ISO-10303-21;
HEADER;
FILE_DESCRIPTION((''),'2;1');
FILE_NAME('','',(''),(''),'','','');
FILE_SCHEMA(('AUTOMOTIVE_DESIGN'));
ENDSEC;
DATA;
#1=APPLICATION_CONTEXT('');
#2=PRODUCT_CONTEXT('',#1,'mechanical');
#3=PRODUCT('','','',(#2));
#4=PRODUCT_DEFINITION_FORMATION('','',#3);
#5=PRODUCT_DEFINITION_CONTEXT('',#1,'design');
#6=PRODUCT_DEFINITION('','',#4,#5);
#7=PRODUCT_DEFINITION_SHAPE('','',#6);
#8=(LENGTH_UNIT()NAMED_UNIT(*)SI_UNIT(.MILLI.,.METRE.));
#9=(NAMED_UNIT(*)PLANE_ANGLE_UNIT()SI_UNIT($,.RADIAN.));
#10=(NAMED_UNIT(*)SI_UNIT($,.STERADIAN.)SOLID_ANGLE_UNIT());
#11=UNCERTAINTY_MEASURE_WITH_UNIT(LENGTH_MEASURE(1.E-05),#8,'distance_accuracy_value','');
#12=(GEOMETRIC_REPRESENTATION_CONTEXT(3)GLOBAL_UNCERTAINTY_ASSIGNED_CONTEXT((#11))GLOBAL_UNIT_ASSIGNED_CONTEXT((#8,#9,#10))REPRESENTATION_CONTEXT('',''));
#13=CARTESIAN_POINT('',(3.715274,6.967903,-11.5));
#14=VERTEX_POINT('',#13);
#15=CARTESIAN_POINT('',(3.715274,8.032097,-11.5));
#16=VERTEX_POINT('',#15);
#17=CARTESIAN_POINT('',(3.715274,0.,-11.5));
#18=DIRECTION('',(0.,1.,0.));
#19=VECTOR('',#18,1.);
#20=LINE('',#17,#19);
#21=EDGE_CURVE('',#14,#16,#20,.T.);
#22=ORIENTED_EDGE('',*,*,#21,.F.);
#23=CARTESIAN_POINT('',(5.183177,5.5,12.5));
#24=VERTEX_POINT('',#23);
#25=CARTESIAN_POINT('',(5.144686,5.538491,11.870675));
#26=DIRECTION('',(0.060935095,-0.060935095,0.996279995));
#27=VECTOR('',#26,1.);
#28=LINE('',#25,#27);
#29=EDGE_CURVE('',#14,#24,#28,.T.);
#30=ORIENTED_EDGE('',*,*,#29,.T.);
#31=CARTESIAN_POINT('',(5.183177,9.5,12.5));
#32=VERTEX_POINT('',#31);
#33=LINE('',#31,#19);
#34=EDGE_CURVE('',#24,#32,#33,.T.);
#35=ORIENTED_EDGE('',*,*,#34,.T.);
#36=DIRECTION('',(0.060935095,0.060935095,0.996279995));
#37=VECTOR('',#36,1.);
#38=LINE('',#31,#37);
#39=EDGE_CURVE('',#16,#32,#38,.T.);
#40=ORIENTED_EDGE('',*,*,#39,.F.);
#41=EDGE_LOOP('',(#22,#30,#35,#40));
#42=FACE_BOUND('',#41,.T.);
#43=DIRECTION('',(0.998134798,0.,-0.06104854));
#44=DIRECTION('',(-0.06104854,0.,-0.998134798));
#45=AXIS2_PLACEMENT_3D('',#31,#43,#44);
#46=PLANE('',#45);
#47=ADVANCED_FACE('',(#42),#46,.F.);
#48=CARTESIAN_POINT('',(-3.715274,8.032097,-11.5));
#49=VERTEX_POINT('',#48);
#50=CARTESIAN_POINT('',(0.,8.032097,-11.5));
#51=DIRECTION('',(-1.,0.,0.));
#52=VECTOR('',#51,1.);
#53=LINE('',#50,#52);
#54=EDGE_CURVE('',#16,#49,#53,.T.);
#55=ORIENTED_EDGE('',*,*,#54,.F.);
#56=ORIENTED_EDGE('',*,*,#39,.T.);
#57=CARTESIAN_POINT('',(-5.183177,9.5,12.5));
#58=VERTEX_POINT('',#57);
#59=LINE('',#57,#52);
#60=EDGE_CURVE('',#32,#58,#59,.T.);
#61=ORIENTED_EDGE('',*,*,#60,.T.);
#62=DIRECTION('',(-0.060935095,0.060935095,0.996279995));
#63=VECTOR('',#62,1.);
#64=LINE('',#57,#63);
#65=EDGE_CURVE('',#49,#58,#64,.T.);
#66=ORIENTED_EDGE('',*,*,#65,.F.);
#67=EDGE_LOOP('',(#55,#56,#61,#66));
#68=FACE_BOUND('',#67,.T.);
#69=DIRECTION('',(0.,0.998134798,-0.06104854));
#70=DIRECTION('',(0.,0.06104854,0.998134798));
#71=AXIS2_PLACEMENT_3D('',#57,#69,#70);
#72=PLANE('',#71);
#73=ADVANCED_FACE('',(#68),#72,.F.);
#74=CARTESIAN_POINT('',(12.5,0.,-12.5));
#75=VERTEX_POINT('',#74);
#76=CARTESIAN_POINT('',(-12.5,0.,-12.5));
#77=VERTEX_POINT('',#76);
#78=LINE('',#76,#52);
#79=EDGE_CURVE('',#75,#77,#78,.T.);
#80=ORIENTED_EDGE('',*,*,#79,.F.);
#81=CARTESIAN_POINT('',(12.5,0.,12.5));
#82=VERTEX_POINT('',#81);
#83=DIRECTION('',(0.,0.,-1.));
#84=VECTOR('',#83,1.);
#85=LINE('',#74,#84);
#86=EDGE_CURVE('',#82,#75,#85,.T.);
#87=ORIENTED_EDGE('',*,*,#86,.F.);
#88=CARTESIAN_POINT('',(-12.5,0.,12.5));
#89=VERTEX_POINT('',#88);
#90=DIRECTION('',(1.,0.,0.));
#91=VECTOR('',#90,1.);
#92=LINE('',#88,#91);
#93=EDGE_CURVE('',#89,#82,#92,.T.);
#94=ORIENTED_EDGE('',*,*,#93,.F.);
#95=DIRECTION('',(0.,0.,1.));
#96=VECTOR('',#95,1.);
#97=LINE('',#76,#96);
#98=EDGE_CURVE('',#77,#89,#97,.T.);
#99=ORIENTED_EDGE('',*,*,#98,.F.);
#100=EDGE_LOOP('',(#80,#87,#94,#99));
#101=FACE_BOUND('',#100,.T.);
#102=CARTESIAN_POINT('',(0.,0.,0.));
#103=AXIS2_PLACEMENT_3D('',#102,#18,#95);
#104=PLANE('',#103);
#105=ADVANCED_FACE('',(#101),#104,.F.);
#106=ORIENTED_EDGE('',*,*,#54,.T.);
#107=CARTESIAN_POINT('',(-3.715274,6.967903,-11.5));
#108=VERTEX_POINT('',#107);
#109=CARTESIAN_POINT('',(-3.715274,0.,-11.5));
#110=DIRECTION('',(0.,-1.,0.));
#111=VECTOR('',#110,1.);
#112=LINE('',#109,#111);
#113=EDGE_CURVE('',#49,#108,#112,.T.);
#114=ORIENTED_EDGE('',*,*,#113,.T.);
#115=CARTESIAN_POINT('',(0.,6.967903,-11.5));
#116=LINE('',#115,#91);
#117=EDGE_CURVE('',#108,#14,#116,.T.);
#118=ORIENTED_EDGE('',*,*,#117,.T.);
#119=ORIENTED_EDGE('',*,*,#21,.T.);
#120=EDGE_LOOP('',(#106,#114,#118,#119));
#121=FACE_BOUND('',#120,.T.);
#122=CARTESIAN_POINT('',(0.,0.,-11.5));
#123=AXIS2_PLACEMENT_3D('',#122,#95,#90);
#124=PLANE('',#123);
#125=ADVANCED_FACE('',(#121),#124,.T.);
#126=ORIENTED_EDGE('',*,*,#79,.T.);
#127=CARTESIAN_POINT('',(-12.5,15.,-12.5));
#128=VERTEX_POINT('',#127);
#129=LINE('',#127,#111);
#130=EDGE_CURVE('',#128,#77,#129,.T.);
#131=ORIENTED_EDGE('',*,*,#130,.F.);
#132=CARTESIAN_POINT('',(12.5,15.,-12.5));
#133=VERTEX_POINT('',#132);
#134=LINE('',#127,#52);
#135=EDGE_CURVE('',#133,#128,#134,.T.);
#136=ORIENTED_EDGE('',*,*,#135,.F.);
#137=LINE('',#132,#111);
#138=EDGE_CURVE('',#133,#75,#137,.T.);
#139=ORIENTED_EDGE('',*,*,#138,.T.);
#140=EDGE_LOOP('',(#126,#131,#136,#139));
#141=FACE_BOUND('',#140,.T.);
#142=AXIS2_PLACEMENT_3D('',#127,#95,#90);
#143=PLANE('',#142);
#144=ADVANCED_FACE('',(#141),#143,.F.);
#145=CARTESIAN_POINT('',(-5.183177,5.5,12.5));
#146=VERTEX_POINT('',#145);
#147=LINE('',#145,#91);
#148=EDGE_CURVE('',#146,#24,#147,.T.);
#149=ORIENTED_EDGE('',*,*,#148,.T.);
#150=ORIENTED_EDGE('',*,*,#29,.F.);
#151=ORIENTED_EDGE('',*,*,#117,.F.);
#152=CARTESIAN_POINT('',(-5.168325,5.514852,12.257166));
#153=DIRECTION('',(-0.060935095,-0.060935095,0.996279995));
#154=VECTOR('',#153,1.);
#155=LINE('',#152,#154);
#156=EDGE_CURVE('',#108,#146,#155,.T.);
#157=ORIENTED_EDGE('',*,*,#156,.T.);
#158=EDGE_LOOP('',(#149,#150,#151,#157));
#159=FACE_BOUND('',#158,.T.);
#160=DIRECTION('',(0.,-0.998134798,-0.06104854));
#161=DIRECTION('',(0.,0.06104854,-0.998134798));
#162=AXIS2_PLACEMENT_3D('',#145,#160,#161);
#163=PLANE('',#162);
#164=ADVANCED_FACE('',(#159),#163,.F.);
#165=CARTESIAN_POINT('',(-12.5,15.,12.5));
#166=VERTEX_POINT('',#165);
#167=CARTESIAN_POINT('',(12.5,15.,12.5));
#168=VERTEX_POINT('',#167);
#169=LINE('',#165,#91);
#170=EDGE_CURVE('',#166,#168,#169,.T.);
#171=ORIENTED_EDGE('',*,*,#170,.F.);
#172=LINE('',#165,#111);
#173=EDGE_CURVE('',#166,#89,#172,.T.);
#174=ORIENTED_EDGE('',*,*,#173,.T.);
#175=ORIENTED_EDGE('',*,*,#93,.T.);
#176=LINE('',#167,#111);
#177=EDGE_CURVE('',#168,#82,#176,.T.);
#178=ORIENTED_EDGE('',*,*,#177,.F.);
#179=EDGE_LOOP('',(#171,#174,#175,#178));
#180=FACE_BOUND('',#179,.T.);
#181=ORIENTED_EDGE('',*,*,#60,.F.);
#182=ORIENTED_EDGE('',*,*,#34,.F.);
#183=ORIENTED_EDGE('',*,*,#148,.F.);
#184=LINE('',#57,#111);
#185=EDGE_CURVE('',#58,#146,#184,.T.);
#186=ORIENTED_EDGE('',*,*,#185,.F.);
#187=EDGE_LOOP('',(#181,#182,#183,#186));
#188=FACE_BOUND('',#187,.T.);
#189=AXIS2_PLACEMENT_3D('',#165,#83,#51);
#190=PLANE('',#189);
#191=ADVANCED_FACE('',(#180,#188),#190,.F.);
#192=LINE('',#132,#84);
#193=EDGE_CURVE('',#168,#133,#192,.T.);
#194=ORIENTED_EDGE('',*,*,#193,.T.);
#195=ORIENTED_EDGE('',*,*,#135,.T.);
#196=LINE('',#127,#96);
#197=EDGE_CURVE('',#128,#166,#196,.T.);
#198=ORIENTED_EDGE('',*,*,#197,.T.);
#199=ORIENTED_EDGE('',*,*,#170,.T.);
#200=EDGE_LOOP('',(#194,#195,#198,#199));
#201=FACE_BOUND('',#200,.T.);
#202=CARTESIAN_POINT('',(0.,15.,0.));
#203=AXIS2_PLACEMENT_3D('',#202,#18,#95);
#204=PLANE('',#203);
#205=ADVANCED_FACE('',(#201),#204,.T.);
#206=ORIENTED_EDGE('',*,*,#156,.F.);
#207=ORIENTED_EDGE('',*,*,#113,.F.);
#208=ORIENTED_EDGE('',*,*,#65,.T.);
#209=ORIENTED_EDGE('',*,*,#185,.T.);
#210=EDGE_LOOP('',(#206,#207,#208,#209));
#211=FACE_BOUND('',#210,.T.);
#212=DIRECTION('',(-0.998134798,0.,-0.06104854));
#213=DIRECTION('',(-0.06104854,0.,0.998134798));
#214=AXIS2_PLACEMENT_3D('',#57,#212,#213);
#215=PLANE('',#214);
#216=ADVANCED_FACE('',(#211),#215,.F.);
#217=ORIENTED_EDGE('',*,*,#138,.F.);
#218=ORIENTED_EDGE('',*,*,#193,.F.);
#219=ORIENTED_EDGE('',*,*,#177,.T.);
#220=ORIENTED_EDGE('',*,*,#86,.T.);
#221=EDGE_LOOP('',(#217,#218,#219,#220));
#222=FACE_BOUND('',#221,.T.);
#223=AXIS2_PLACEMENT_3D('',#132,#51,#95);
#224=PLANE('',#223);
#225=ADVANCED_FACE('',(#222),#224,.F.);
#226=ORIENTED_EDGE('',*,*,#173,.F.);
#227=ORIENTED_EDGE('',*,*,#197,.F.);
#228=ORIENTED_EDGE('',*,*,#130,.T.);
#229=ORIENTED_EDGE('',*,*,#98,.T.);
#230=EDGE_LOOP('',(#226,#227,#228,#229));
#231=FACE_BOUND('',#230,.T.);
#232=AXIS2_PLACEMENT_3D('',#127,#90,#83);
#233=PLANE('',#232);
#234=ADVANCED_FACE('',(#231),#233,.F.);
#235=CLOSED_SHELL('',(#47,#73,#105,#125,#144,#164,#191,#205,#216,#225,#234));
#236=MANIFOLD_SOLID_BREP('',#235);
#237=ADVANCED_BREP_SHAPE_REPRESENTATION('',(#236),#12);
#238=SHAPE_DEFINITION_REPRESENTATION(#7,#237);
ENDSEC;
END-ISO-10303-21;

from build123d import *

# Parameters (mm, degrees)
SKETCH1_W           = 25
SKETCH1_H           = 25
BOSS_EXTRUDE1_DEPTH = 15
SKETCH2_W           = 10.366354442
SKETCH2_H           = 4
CUT_EXTRUDE1_DEPTH  = 24
CUT_EXTRUDE1_DRAFT  = -3.5


with BuildPart() as part:
    # Sketch1 → Boss-Extrude1 (new body)
    with BuildSketch(Plane(origin=(0, 0, 0), x_dir=(1, 0, 0), z_dir=(0, 1, 0))):
        Rectangle(SKETCH1_W, SKETCH1_H)
    extrude(amount=BOSS_EXTRUDE1_DEPTH)


with BuildPart() as cut_extrude1_tool:
    # Sketch2 → Cut-Extrude1 (with draft: the straight prism first)
    with BuildSketch(Plane.XY.offset(12.5)):
        with Locations((0, 7.5)):
            Rectangle(SKETCH2_W, SKETCH2_H)
    extrude(amount=-CUT_EXTRUDE1_DEPTH)
    # Cut-Extrude1: the draft: its side faces are tilted about the plane it starts from
    cut_extrude1_sides = [cut_extrude1_tool.faces().sort_by_distance(p)[0] for p in [
        (-5.183177221, 7.5, 0.5),
        (0, 5.5, 0.5),
        (5.183177221, 7.5, 0.5),
        (0, 9.5, 0.5),
    ]]
    draft(cut_extrude1_sides, Plane.XY.offset(12.5), CUT_EXTRUDE1_DRAFT)


with BuildPart() as part_1:
    add(part.part)

    # Cut-Extrude1: cut by cut_extrude1_tool
    add(cut_extrude1_tool.part, mode=Mode.SUBTRACT)


solid = part_1.part
